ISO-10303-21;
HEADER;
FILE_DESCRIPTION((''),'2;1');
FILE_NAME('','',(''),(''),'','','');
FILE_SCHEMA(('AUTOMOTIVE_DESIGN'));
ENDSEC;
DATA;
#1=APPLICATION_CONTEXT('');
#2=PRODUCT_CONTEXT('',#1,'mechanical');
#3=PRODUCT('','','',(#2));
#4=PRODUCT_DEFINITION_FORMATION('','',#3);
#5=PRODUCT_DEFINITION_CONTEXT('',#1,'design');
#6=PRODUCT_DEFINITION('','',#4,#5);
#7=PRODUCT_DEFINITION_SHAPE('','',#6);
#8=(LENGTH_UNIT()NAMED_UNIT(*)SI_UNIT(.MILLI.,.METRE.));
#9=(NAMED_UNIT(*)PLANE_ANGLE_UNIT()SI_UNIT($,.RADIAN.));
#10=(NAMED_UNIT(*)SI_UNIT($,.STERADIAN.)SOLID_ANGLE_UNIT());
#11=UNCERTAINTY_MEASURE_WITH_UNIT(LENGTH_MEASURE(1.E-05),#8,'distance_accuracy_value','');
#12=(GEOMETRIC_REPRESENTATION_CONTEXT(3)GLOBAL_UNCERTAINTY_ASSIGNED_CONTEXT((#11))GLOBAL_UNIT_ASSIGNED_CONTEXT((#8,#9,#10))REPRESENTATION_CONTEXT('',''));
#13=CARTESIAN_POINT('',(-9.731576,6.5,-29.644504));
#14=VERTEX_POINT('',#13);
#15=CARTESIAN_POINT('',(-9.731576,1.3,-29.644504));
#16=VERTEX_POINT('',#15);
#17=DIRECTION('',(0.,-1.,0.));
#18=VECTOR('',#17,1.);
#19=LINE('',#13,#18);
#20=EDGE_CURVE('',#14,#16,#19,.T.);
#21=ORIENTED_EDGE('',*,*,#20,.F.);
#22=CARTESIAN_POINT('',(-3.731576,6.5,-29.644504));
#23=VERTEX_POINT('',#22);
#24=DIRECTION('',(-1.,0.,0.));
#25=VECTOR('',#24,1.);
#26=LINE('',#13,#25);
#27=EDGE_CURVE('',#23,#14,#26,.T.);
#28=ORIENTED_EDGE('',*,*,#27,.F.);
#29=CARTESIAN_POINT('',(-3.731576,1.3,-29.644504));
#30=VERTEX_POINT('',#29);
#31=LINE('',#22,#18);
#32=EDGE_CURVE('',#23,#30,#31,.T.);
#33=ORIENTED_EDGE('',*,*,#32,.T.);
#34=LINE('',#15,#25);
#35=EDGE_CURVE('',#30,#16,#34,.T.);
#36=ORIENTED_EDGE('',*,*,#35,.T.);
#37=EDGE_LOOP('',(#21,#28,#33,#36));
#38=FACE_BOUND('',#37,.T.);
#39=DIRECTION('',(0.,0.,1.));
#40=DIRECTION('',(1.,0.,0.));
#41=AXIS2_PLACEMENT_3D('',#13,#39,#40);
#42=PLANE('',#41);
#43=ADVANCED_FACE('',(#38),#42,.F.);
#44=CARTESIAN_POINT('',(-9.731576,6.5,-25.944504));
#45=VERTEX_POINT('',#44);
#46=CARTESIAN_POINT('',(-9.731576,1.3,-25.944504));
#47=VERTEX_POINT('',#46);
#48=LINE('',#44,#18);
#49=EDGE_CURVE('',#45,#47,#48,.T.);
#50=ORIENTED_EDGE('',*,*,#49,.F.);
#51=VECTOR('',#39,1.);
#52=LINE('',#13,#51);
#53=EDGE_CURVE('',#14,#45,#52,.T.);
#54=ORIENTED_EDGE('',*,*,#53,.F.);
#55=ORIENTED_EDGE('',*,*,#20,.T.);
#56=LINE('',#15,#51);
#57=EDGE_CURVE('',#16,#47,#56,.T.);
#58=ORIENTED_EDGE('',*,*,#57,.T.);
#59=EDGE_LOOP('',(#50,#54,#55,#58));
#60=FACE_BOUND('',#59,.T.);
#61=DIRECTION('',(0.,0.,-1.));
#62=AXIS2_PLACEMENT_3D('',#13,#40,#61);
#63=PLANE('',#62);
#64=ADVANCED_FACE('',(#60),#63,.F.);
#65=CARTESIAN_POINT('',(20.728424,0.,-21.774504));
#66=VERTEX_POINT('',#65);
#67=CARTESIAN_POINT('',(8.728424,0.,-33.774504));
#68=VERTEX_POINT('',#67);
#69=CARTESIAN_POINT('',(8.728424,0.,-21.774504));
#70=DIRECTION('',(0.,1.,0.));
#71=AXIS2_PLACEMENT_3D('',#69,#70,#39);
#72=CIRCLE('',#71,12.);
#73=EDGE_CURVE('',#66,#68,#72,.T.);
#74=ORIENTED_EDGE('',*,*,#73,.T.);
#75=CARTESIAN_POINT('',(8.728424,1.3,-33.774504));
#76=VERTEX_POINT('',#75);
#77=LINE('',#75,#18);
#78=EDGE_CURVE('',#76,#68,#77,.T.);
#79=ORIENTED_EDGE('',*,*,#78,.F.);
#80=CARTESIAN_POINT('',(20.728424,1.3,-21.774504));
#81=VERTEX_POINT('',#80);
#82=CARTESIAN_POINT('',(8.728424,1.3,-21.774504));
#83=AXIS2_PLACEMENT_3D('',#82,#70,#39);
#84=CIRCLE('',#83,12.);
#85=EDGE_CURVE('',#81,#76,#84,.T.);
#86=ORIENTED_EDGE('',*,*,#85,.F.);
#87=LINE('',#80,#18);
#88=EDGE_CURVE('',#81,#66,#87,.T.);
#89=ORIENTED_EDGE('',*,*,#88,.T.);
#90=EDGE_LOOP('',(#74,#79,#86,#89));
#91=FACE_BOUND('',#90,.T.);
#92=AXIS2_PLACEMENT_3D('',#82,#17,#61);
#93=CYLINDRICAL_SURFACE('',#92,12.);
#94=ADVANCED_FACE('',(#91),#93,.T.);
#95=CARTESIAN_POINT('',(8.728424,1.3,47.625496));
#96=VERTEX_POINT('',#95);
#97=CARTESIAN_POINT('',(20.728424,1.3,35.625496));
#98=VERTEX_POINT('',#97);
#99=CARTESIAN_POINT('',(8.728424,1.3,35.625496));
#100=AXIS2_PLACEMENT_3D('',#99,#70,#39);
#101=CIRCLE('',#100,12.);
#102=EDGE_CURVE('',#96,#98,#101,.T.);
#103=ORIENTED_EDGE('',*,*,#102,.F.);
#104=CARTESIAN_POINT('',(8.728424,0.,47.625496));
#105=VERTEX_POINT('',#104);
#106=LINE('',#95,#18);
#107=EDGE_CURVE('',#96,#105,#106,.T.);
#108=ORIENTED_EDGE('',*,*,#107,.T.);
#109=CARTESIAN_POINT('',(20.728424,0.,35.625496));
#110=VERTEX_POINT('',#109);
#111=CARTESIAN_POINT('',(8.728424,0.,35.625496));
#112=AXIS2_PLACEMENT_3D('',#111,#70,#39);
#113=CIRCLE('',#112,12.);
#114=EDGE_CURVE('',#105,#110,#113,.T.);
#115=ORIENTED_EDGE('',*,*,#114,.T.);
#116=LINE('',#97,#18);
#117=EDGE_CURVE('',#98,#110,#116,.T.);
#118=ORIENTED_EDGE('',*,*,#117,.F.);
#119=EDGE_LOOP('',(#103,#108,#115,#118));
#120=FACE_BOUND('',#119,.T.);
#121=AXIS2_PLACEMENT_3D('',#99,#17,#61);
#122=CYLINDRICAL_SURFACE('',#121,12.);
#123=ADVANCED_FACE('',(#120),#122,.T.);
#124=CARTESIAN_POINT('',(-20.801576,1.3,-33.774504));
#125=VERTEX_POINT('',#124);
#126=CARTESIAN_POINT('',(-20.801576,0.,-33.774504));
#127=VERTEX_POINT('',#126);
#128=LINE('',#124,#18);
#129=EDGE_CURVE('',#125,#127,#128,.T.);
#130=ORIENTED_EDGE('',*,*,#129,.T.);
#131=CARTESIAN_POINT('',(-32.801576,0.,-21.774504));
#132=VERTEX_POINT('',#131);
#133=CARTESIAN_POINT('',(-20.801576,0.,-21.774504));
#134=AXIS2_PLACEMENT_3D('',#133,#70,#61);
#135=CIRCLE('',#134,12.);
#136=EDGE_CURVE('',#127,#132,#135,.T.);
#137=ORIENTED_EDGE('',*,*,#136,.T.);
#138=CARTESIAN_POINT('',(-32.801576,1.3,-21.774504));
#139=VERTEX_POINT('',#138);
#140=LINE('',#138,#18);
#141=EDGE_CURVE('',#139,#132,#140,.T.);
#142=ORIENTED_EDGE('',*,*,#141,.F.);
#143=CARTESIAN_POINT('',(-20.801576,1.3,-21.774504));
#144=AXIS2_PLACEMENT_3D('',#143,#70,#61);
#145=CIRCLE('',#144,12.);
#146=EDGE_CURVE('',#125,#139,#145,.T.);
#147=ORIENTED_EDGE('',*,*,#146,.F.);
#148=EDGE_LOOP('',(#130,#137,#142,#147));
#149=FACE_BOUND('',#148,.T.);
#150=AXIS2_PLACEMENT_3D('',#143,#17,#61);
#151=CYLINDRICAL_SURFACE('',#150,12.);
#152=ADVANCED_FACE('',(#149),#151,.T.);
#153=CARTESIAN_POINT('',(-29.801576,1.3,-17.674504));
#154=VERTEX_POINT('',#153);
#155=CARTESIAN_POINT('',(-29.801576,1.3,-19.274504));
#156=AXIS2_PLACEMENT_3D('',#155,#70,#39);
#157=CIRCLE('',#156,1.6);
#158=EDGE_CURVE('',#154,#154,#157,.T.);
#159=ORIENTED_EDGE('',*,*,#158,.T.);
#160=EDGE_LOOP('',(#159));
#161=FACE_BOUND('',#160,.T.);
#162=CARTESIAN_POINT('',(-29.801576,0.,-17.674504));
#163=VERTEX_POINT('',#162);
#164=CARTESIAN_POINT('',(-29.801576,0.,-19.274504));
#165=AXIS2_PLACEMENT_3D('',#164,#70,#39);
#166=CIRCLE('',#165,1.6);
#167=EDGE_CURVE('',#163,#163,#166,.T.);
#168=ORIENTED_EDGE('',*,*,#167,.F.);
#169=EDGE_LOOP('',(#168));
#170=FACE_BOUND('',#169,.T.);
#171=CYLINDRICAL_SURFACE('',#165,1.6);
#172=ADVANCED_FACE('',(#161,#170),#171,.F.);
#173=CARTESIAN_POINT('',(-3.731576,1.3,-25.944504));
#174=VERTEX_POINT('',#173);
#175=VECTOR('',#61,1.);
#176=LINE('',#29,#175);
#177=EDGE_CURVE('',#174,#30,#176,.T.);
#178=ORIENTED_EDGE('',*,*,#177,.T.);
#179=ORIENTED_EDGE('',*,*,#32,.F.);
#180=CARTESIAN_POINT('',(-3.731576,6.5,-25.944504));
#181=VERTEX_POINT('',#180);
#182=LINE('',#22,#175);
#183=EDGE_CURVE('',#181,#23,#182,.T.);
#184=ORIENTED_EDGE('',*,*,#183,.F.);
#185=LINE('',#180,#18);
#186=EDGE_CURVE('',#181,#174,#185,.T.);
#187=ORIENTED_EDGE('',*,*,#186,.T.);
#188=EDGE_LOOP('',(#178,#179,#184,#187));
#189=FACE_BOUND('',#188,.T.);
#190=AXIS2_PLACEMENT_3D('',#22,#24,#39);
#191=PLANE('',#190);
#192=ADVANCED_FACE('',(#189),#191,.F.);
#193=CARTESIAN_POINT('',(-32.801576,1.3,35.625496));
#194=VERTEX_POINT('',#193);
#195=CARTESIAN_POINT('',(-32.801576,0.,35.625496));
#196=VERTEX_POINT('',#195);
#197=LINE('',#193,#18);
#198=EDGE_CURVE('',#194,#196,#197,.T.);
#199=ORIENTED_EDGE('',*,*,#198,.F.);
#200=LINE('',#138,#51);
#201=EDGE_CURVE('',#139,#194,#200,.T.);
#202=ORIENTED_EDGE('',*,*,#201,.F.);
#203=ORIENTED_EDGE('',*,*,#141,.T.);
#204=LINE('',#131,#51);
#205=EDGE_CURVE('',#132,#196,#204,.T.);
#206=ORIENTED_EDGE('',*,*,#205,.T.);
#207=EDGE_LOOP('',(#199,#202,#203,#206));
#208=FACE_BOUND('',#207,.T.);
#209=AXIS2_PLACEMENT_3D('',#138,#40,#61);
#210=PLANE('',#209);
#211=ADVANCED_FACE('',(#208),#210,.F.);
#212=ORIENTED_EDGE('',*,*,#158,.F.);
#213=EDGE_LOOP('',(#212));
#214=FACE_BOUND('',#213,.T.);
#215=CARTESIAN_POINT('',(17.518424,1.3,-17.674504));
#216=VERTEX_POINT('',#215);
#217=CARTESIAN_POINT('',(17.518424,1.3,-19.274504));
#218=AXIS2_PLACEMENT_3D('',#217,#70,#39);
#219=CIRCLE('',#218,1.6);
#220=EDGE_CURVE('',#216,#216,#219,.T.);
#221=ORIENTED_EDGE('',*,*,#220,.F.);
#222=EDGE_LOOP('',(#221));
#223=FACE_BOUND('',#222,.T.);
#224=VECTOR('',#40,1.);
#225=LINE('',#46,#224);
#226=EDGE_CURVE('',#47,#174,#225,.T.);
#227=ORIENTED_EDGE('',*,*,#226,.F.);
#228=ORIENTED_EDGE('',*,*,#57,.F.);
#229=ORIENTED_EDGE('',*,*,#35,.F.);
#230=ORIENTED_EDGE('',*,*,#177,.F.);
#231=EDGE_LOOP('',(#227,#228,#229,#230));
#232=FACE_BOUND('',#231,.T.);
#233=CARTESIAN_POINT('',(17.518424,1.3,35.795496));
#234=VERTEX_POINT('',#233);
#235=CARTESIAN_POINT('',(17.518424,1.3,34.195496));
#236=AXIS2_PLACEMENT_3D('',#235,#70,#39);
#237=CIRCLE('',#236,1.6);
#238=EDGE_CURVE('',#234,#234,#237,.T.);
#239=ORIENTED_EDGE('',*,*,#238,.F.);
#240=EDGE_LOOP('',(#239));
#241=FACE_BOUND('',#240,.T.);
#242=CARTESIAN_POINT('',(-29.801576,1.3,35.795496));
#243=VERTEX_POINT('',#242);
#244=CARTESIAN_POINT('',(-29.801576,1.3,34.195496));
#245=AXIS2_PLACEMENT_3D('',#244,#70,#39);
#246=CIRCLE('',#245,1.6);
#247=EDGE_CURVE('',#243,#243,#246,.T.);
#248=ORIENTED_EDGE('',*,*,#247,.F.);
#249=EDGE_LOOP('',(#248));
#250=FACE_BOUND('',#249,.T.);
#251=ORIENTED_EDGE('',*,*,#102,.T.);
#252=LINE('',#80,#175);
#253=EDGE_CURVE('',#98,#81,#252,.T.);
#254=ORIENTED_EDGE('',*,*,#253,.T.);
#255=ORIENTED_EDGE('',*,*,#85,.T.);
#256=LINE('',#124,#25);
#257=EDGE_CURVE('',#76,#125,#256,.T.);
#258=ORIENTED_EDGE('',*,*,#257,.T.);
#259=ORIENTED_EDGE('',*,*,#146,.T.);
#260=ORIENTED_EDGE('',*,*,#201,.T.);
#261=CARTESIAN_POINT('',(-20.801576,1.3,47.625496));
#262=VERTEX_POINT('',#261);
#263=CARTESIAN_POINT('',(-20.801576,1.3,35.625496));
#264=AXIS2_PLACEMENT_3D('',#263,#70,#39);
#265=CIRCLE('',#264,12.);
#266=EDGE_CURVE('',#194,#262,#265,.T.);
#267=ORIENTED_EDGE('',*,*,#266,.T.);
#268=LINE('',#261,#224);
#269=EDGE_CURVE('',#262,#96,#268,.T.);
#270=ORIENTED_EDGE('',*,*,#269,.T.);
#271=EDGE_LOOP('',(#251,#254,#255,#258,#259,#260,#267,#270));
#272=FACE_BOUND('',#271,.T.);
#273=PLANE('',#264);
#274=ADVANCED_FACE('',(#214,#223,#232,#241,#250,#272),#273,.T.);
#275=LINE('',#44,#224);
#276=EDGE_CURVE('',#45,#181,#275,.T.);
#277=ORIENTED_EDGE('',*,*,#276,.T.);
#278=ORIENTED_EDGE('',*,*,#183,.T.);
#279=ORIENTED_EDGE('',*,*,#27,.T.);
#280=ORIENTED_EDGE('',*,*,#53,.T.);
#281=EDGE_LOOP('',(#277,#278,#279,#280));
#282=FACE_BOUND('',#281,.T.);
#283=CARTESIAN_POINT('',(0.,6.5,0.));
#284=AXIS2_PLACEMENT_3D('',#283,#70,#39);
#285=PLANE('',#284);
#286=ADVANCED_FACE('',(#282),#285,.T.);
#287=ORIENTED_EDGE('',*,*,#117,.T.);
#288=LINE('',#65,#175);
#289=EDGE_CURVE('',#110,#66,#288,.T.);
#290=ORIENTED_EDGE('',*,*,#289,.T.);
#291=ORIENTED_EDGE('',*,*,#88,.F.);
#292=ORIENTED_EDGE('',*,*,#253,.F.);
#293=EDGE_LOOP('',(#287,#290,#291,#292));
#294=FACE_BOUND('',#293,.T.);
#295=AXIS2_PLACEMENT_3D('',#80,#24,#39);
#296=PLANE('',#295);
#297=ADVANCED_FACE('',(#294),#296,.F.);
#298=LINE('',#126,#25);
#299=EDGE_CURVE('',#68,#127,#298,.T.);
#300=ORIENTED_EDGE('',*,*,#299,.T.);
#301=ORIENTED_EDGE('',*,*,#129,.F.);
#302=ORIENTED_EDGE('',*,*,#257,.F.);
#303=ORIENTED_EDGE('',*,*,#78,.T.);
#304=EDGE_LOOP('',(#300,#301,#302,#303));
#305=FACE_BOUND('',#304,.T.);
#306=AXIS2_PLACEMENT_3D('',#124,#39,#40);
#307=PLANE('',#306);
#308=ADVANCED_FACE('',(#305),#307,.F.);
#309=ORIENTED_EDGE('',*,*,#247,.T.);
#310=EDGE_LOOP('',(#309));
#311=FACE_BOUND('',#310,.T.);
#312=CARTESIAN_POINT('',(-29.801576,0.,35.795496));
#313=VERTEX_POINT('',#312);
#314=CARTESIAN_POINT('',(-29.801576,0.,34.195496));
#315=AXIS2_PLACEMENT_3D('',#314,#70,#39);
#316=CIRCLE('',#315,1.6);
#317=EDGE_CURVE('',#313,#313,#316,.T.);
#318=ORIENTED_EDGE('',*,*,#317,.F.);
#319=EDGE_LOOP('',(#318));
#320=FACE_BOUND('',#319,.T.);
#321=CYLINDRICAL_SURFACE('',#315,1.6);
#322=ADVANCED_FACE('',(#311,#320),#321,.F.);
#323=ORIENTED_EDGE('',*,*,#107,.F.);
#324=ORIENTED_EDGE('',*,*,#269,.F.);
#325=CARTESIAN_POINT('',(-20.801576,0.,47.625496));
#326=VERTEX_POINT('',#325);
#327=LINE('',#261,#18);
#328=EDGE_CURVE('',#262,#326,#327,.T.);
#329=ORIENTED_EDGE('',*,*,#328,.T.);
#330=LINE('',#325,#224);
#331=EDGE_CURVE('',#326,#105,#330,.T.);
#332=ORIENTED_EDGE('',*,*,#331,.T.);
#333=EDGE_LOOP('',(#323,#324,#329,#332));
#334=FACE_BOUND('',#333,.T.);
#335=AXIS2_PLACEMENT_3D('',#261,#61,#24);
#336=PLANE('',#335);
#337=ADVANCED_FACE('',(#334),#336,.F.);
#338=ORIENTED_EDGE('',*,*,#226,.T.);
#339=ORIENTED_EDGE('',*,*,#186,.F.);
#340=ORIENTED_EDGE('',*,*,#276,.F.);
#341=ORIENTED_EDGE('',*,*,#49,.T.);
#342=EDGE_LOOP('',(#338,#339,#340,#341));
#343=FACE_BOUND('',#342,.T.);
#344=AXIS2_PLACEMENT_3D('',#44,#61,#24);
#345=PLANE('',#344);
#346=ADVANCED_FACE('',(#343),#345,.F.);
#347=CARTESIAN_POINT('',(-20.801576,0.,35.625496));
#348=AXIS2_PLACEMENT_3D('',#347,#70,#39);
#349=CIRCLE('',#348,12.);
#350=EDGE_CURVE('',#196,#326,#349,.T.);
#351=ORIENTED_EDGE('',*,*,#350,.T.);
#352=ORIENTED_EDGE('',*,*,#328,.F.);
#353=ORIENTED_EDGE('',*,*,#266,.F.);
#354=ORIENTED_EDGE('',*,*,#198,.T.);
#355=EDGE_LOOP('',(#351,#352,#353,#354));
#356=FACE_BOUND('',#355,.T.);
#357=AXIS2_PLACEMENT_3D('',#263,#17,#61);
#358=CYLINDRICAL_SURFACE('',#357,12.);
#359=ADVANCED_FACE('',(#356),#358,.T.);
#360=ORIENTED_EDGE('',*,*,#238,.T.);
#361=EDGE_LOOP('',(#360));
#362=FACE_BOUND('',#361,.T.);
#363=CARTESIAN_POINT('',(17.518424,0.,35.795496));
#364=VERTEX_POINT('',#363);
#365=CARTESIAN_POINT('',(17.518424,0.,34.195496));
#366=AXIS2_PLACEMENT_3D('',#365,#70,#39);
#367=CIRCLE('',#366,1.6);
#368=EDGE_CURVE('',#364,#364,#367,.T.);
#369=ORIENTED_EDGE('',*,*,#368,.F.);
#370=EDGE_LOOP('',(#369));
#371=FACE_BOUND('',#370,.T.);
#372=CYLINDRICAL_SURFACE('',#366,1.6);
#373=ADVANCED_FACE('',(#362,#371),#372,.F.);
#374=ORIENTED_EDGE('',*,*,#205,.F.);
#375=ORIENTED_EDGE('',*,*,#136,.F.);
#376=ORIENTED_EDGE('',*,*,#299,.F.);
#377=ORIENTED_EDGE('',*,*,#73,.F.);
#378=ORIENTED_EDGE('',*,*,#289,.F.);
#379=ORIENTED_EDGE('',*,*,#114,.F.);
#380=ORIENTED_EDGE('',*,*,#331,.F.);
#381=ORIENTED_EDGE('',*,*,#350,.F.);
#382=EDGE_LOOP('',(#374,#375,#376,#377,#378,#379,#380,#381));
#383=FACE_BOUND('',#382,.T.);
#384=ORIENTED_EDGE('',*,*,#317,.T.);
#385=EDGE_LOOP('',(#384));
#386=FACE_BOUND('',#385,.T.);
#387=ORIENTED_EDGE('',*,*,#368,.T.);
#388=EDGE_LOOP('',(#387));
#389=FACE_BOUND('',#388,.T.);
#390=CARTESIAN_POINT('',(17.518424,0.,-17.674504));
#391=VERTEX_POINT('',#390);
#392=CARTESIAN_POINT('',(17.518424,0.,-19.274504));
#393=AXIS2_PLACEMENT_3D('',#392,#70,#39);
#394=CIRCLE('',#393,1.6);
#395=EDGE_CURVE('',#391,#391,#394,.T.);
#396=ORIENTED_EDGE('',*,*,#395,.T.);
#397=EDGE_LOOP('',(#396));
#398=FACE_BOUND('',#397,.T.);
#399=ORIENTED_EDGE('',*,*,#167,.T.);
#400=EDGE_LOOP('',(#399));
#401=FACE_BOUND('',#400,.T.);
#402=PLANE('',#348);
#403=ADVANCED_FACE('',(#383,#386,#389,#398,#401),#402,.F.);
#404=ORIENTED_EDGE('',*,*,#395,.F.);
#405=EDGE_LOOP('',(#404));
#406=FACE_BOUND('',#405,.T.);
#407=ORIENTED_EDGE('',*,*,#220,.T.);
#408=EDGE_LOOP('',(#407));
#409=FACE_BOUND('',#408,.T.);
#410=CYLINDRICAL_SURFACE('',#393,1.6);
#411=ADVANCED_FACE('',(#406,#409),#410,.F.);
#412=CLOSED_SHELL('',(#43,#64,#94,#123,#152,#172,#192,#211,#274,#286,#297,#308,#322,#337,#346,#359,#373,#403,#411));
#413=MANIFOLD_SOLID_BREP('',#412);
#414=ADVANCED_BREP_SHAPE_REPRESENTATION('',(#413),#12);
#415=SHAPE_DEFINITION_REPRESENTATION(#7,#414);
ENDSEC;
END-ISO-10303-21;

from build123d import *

# Parameters (mm, degrees)
BOSS_EXTRUDE1_DEPTH = 1.3
SKETCH2_R           = 1.6
CUT_EXTRUDE1_DEPTH  = 1.3
SKETCH3_W           = 6
SKETCH3_H           = 3.7
BOSS_EXTRUDE2_DEPTH = 5.2


with BuildPart() as part:
    # Sketch1 → Boss-Extrude1 (new body)
    with BuildSketch(Plane(origin=(0, 0, 0), x_dir=(1, 0, 0), z_dir=(0, 1, 0))):
        with BuildLine():
            Line((-20.801575534, 33.774503622), (8.728424466, 33.774503622))
            ThreePointArc((8.728424466, 33.774503622), (17.21370584, 30.259784996), (20.728424466, 21.774503622))
            Line((20.728424466, 21.774503622), (20.728424466, -35.625496378))
            ThreePointArc((20.728424466, -35.625496378), (17.21370584, -44.110777752), (8.728424466, -47.625496378))
            Line((8.728424466, -47.625496378), (-20.801575534, -47.625496378))
            ThreePointArc((-20.801575534, -47.625496378), (-29.286856908, -44.110777752), (-32.801575534, -35.625496378))
            Line((-32.801575534, -35.625496378), (-32.801575534, 21.774503622))
            ThreePointArc((-32.801575534, 21.774503622), (-29.286856908, 30.259784996), (-20.801575534, 33.774503622))
        make_face()
    extrude(amount=BOSS_EXTRUDE1_DEPTH)

    # Sketch2 → Cut-Extrude1 (cut)
    with BuildSketch(Plane(origin=(0, 1.3, 0), x_dir=(1, 0, 0), z_dir=(0, 1, 0))):
        with Locations(Location((-29.801575534, 19.274503622, 0), (0, 0, 270))):
            Circle(SKETCH2_R)
        with Locations(Location((17.518424466, 19.274503622, 0), (0, 0, 270))):
            Circle(SKETCH2_R)
        with Locations(Location((17.518424466, -34.195496378, 0), (0, 0, 270))):
            Circle(SKETCH2_R)
        with Locations(Location((-29.801575534, -34.195496378, 0), (0, 0, 270))):
            Circle(SKETCH2_R)
    extrude(amount=-CUT_EXTRUDE1_DEPTH, mode=Mode.SUBTRACT)

    # Sketch3 → Boss-Extrude2 (add)
    with BuildSketch(Plane(origin=(0, 1.3, 0), x_dir=(1, 0, 0), z_dir=(0, 1, 0))):
        with Locations((-6.731575534, 27.794503622)):
            Rectangle(SKETCH3_W, SKETCH3_H)
    extrude(amount=BOSS_EXTRUDE2_DEPTH)


solid = part.part
